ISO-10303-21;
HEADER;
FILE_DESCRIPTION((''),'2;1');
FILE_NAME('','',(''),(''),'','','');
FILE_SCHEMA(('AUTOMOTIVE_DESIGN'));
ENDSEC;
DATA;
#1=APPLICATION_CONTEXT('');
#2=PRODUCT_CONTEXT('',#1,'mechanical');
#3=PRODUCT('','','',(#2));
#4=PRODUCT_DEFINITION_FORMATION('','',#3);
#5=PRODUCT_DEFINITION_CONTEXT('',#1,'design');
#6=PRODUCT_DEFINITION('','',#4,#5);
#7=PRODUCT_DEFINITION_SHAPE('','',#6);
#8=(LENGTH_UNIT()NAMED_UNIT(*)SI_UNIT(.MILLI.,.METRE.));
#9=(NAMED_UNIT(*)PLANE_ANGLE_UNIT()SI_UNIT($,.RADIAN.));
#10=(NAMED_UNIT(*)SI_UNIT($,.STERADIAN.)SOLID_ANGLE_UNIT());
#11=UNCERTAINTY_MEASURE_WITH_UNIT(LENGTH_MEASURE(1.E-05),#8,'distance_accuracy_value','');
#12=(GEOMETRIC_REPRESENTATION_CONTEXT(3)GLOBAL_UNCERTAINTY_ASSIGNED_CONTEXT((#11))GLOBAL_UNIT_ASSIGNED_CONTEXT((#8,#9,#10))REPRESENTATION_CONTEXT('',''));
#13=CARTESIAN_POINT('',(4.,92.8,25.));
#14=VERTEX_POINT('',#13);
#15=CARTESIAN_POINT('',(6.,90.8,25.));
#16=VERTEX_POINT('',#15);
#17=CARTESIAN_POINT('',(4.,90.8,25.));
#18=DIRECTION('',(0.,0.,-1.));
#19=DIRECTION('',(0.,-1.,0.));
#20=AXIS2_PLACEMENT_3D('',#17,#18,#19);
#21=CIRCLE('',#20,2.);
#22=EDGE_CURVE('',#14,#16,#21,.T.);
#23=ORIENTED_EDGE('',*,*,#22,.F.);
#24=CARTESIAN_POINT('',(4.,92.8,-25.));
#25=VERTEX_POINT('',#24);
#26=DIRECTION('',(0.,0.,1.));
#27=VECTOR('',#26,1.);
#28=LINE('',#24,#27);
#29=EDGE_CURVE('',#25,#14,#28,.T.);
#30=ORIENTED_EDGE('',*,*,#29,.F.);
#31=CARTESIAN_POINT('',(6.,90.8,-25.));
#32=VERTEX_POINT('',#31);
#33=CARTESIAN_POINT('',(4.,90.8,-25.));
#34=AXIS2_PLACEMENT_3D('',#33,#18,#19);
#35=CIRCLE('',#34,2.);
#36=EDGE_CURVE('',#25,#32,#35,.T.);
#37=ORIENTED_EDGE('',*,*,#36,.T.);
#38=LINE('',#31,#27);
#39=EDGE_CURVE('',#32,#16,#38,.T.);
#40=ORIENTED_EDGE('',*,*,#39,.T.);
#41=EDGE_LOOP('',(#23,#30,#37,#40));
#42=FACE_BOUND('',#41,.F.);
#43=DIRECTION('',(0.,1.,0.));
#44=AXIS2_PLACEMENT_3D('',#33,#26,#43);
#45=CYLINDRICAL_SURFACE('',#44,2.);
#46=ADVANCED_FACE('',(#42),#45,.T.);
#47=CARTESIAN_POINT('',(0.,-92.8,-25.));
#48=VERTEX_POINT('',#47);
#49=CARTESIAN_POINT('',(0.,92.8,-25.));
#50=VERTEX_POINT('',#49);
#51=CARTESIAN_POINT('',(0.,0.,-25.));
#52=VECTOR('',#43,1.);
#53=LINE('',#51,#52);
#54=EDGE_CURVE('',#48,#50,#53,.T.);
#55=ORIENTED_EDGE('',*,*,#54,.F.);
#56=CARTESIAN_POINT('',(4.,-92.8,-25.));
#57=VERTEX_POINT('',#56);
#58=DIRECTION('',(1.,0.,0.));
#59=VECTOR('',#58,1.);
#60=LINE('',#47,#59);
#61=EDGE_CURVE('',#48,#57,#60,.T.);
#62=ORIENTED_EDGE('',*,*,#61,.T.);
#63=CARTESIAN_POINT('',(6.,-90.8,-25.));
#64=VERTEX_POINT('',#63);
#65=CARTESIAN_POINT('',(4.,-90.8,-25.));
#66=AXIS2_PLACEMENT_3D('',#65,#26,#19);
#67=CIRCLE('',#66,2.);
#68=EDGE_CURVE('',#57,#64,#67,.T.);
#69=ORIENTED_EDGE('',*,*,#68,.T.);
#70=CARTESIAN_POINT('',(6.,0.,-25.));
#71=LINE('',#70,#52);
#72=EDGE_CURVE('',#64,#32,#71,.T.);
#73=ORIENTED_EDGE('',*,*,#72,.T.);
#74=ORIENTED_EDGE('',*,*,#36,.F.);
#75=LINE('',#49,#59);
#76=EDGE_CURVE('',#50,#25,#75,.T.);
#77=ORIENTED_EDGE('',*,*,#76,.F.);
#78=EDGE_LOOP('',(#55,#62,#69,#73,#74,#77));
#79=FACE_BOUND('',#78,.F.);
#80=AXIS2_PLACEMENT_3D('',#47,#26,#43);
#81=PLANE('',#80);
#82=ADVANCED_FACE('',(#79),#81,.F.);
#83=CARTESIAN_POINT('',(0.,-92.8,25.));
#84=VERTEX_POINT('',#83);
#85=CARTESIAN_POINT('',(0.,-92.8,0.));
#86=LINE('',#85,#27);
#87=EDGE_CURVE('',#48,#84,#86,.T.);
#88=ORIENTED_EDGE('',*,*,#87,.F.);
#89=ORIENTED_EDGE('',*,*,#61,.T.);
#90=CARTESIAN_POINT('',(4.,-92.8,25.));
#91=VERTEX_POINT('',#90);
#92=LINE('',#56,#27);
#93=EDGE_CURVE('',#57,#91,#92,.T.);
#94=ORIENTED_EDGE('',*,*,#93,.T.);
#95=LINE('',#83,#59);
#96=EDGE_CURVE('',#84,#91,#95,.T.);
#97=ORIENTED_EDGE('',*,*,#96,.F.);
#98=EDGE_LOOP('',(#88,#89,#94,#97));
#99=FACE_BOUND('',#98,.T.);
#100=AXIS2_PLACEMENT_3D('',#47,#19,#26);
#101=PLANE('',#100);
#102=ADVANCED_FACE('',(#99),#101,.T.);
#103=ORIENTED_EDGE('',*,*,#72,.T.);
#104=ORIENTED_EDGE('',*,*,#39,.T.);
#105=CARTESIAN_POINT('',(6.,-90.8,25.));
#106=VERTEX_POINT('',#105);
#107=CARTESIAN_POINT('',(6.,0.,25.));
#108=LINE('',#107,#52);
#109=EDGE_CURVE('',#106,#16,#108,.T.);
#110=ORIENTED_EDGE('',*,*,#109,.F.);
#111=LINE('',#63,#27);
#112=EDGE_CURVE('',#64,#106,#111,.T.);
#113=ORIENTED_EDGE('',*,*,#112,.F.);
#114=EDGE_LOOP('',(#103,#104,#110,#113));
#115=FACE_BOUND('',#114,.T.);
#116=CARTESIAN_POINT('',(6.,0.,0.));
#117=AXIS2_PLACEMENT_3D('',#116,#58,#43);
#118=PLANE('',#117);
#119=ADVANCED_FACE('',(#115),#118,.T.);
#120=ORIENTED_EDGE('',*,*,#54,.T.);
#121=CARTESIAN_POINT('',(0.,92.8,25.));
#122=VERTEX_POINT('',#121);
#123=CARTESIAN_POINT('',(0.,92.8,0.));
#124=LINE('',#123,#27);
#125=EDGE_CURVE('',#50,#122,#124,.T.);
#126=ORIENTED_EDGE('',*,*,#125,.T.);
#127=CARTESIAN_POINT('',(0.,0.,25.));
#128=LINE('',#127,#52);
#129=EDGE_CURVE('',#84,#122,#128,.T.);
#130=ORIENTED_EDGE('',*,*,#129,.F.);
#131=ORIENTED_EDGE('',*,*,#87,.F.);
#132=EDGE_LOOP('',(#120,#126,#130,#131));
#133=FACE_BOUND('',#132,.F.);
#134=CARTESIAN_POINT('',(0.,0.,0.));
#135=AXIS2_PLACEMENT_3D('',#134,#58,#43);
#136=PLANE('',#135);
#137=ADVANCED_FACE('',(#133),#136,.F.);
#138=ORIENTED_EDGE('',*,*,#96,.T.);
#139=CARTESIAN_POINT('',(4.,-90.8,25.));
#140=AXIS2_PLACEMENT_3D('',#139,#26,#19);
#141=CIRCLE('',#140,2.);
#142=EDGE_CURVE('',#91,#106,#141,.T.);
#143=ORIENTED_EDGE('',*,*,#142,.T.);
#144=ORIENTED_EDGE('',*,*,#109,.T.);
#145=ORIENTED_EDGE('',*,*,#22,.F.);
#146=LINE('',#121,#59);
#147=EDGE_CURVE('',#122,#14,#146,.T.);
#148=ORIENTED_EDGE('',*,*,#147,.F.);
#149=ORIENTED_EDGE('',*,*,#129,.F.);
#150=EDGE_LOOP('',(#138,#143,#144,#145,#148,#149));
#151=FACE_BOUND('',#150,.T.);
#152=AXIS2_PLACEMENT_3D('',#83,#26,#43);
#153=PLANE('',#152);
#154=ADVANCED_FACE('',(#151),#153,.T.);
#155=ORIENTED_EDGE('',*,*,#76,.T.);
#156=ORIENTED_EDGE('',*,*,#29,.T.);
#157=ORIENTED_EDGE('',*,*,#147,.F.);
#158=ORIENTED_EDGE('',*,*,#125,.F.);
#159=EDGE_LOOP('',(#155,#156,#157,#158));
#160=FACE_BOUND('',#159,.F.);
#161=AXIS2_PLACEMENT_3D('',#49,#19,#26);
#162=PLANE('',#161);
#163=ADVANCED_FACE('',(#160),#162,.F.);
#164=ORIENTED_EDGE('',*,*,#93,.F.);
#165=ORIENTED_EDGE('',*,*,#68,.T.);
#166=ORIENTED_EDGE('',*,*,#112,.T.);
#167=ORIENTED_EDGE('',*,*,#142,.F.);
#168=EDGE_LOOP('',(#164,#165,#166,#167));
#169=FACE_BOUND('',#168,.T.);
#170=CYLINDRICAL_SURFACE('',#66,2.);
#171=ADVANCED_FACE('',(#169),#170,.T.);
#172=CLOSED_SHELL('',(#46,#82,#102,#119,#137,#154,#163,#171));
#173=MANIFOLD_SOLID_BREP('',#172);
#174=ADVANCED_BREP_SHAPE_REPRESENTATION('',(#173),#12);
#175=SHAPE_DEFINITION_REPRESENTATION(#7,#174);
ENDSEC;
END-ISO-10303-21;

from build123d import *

# Parameters (mm, degrees)
F0_W     = 185.6
F0_H     = 50
F1_DEPTH = 6
F2_R     = 2


with BuildPart() as f1:
    # F0 (on Right) → F1 (new body)
    with BuildSketch(Plane.YZ):
        Rectangle(F0_W, F0_H)
    extrude(amount=F1_DEPTH)

    # F2
    f2_edges = [f1.edges().sort_by_distance(p)[0] for p in [
        (6, -92.8, 0),
        (6, 92.8, 0),
    ]]
    fillet(f2_edges, radius=F2_R)


solid = f1.part
